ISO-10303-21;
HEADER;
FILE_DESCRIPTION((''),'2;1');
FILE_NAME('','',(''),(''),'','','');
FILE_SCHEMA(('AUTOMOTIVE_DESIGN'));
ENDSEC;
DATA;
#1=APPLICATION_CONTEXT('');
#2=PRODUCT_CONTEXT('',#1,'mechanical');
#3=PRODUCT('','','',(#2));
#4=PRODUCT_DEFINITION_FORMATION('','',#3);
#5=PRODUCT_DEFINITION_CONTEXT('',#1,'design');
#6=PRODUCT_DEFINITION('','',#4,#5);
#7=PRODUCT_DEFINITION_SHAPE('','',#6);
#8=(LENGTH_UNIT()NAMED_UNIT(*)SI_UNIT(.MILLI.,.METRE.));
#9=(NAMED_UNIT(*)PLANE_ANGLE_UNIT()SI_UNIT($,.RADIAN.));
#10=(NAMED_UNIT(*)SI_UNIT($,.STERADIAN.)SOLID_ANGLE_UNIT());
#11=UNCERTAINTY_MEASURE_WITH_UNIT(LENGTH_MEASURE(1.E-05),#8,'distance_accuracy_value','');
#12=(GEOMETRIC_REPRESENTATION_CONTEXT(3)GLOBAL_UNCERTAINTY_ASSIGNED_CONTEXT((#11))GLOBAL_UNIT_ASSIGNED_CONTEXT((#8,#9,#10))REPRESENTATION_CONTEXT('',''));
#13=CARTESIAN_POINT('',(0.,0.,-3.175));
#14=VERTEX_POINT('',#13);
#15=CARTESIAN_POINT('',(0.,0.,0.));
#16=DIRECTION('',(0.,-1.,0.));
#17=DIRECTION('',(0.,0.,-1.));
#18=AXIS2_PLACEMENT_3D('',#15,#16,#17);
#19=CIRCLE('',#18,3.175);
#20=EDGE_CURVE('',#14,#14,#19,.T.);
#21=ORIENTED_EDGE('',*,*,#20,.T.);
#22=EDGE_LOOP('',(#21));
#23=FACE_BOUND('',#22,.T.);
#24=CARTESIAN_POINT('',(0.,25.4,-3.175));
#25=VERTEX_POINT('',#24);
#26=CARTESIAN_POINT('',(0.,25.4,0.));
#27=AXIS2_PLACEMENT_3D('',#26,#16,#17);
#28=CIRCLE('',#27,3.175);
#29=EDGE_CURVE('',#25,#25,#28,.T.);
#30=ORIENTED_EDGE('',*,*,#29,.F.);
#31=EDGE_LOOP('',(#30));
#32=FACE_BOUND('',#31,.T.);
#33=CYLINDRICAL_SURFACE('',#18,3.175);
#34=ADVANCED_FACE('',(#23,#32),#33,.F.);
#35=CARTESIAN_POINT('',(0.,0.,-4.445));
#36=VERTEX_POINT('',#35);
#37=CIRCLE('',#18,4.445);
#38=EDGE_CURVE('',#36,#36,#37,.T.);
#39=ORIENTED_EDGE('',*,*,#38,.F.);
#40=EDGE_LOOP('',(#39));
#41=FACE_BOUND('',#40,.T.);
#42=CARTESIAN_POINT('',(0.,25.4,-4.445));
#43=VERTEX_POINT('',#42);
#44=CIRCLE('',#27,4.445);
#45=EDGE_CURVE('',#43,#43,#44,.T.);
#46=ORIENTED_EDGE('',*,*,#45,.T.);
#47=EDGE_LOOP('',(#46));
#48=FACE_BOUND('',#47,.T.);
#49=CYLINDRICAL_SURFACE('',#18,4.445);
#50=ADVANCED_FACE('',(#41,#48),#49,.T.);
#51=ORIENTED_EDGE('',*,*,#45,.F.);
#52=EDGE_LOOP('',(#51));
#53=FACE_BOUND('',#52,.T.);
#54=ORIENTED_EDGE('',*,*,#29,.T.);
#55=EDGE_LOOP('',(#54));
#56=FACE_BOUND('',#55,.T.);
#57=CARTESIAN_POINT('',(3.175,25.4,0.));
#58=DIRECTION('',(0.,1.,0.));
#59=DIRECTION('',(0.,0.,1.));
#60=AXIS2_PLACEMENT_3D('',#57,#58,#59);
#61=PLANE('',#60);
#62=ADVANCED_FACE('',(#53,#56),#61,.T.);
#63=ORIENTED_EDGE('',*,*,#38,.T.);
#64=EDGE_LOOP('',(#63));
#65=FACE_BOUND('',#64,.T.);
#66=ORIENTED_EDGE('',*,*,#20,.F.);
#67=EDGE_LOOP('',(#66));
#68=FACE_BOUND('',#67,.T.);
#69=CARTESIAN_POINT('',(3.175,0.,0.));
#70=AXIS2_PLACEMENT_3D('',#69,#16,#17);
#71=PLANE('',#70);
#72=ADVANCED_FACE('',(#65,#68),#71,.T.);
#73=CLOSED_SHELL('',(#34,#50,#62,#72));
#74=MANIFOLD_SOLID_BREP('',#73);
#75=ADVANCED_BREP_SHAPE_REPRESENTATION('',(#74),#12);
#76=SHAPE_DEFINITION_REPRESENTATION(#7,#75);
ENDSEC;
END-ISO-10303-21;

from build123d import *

# Parameters (mm, degrees)
SKETCH1_W = 1.27
SKETCH1_H = 25.4


with BuildPart() as part:
    # Sketch1 → Revolve1 (revolve)
    with BuildSketch(Plane.XY, mode=Mode.PRIVATE) as revolve1_sk:
        with Locations((3.81, 12.7)):
            Rectangle(SKETCH1_W, SKETCH1_H)
    revolve(revolve1_sk.sketch.rotate(Axis((0, 0, 0), (0, 1, 0)), 90), axis=Axis((0, 0, 0), (0, 1, 0)))


solid = part.part
